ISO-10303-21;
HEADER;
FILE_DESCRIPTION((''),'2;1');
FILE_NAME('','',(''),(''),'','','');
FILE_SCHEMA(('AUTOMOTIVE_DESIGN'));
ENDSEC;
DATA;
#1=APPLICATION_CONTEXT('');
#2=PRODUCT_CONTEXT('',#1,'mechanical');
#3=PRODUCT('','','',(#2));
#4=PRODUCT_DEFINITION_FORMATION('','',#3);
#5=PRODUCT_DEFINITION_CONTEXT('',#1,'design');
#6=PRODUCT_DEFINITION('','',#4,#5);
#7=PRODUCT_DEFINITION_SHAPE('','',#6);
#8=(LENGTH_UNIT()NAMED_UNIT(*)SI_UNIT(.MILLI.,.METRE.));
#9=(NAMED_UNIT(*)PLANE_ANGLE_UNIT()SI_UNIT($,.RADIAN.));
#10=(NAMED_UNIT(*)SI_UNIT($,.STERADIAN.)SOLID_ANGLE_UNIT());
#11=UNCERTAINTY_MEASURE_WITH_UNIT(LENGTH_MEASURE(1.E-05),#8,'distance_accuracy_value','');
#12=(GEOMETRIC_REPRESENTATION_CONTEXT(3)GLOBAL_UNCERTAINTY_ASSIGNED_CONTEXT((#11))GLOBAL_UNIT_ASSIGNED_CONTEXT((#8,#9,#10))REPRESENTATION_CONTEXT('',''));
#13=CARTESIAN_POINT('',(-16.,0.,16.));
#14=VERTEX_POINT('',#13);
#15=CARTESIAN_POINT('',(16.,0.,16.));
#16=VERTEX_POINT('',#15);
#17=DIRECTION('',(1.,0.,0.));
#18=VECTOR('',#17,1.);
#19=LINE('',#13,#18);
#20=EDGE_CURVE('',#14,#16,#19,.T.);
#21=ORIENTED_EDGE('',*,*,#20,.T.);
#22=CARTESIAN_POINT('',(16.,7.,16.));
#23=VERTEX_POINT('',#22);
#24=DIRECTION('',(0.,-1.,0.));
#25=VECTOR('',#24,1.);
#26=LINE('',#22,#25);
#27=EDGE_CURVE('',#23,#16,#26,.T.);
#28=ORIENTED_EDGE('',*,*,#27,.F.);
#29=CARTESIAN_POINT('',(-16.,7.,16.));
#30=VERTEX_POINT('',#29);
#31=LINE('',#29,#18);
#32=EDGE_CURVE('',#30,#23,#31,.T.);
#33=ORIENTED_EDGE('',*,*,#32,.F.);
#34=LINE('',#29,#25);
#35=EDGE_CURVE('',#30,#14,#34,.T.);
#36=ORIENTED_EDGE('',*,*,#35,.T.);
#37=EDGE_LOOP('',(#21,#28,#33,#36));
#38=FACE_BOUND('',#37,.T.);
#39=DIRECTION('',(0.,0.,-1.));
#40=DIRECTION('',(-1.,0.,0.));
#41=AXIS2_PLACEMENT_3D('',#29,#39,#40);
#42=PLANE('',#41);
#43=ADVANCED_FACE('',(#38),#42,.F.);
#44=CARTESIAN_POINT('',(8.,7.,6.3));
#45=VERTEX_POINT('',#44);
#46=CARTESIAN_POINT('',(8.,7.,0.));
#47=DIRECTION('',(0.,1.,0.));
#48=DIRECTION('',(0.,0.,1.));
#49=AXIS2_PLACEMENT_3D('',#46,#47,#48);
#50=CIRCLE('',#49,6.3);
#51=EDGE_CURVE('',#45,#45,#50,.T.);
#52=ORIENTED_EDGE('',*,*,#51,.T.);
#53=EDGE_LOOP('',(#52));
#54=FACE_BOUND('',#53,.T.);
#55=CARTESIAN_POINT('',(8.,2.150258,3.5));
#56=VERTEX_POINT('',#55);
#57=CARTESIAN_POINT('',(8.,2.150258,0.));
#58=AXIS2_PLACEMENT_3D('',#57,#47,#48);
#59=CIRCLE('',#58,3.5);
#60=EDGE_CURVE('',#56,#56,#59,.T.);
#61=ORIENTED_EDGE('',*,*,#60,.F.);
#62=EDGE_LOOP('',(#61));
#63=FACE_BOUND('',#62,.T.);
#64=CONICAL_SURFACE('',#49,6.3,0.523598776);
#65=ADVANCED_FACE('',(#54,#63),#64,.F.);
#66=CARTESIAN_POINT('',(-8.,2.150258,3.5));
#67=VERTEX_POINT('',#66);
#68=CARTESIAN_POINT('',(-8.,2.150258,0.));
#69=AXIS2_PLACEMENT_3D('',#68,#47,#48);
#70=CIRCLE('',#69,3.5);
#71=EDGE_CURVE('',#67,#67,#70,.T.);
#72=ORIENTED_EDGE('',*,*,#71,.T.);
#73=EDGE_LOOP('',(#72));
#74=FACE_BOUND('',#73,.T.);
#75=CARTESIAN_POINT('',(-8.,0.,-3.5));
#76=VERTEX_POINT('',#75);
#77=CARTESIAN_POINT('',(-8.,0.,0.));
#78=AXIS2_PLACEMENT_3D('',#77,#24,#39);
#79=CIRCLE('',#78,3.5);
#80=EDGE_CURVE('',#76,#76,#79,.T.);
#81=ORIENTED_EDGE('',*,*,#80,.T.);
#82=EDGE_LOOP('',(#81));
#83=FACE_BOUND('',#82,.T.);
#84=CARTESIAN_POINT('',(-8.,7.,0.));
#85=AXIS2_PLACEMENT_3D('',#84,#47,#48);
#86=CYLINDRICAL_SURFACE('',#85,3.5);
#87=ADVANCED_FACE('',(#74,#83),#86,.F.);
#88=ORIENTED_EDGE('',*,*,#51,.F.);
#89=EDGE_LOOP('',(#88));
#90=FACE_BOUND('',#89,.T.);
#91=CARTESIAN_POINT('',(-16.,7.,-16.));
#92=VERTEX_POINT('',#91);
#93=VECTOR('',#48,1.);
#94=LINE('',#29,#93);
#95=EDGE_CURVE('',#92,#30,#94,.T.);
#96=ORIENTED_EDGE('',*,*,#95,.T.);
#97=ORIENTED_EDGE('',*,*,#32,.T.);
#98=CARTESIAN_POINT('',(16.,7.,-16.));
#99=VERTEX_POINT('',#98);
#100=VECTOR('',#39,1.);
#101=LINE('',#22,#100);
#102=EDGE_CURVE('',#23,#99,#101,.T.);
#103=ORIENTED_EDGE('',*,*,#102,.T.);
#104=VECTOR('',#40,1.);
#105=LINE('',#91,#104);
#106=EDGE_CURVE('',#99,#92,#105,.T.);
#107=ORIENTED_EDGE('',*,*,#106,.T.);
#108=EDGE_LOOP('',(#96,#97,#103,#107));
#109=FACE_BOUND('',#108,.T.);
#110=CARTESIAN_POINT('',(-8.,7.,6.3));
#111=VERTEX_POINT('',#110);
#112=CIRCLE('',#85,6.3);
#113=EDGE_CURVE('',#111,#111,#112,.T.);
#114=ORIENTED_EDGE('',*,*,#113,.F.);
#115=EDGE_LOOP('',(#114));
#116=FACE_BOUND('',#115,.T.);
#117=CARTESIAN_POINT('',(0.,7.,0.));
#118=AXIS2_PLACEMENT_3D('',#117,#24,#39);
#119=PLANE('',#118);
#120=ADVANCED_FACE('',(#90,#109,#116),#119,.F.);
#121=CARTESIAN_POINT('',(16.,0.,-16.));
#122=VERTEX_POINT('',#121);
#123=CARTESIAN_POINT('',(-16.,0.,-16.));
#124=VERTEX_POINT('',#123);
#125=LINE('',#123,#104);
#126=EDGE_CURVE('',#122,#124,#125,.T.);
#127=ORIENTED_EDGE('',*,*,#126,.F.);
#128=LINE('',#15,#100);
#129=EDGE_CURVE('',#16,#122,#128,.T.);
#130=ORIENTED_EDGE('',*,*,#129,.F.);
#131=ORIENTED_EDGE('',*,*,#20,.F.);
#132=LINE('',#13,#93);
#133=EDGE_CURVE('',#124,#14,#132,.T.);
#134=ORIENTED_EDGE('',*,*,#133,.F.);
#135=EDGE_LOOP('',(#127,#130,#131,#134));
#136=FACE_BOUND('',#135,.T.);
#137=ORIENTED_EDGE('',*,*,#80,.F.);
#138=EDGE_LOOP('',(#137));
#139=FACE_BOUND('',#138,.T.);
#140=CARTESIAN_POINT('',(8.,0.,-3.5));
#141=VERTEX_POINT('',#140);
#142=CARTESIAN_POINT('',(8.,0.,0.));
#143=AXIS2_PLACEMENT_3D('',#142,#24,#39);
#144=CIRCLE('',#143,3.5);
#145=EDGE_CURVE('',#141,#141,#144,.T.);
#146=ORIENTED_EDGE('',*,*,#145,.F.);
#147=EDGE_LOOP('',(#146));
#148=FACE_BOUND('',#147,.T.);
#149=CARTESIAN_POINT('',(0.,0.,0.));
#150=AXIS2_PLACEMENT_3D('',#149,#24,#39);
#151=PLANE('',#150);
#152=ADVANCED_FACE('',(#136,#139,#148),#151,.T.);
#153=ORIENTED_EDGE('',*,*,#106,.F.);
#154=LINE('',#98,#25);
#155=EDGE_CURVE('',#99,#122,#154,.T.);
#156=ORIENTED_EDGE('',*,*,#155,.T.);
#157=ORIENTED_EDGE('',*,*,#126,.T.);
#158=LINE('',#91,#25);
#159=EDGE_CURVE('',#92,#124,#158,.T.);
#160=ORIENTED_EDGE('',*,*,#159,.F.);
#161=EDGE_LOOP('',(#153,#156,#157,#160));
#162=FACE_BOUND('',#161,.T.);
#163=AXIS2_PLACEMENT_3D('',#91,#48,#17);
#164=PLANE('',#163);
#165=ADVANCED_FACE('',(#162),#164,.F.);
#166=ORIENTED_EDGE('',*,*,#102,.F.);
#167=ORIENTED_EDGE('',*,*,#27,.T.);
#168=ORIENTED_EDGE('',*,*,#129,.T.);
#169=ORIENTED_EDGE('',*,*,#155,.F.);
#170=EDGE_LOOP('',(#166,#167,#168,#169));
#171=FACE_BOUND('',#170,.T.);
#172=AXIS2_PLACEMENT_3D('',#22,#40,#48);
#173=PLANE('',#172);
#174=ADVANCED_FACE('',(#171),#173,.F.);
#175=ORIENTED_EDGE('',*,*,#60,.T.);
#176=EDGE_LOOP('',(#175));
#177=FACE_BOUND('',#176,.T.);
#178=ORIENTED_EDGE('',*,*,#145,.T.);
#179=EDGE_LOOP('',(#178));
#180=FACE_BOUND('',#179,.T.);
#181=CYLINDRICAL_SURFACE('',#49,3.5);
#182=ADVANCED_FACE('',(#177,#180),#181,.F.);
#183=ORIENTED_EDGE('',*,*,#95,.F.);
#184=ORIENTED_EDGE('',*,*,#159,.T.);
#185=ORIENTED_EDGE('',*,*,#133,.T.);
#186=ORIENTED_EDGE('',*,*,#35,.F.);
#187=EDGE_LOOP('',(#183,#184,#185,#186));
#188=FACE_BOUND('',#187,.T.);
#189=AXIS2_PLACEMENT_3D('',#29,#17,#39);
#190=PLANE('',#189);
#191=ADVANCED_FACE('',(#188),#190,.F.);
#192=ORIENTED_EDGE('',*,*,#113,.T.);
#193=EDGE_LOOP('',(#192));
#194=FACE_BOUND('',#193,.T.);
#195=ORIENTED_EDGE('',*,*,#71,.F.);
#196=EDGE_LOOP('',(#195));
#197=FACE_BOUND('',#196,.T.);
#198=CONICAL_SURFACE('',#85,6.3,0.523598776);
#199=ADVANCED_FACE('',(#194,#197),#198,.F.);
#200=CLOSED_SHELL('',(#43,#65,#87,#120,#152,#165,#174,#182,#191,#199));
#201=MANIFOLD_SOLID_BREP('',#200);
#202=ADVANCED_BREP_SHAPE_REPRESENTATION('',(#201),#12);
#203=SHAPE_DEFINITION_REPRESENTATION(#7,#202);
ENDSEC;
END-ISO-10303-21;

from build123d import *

# Parameters (mm, degrees)
SKETCH1_W                                      = 32
SKETCH1_H                                      = 32
BOSS_EXTRUDE1_DEPTH                            = 7
CSK_FOR_M6_FLAT_HEAD_MACHINE_SCREW1_AT_2_COUNT = 2
CSK_FOR_M6_FLAT_HEAD_MACHINE_SCREW1_AT_2_PITCH = 16


with BuildPart() as part:
    # Sketch1 → Boss-Extrude1 (new body)
    with BuildSketch(Plane(origin=(0, 0, 0), x_dir=(1, 0, 0), z_dir=(0, 1, 0))):
        Rectangle(SKETCH1_W, SKETCH1_H)
    extrude(amount=BOSS_EXTRUDE1_DEPTH)

    # Sketch3 → CSK for M6 Flat Head Machine Screw1 (revolve, cut)
    with BuildSketch(Plane(origin=(-8, 7, 0), x_dir=(0, 0, 1), z_dir=(1, 0, 0))):
        Polygon((0, 0), (0, 7), (3.5, 7), (3.5, 4.849742261), (6.3, 0), align=None)
    csk_for_m6_flat_head_machine_screw1 = revolve(axis=Axis((-8, 13.35, 0), (0, -1, 0)), mode=Mode.SUBTRACT)

    # CSK for M6 Flat Head Machine Screw1 at 2: CSK for M6 Flat Head Machine Screw1 ×2
    with Locations(*[(i * CSK_FOR_M6_FLAT_HEAD_MACHINE_SCREW1_AT_2_PITCH, 0, 0) for i in range(1, CSK_FOR_M6_FLAT_HEAD_MACHINE_SCREW1_AT_2_COUNT)]):
        add(csk_for_m6_flat_head_machine_screw1, mode=Mode.SUBTRACT)


solid = part.part
